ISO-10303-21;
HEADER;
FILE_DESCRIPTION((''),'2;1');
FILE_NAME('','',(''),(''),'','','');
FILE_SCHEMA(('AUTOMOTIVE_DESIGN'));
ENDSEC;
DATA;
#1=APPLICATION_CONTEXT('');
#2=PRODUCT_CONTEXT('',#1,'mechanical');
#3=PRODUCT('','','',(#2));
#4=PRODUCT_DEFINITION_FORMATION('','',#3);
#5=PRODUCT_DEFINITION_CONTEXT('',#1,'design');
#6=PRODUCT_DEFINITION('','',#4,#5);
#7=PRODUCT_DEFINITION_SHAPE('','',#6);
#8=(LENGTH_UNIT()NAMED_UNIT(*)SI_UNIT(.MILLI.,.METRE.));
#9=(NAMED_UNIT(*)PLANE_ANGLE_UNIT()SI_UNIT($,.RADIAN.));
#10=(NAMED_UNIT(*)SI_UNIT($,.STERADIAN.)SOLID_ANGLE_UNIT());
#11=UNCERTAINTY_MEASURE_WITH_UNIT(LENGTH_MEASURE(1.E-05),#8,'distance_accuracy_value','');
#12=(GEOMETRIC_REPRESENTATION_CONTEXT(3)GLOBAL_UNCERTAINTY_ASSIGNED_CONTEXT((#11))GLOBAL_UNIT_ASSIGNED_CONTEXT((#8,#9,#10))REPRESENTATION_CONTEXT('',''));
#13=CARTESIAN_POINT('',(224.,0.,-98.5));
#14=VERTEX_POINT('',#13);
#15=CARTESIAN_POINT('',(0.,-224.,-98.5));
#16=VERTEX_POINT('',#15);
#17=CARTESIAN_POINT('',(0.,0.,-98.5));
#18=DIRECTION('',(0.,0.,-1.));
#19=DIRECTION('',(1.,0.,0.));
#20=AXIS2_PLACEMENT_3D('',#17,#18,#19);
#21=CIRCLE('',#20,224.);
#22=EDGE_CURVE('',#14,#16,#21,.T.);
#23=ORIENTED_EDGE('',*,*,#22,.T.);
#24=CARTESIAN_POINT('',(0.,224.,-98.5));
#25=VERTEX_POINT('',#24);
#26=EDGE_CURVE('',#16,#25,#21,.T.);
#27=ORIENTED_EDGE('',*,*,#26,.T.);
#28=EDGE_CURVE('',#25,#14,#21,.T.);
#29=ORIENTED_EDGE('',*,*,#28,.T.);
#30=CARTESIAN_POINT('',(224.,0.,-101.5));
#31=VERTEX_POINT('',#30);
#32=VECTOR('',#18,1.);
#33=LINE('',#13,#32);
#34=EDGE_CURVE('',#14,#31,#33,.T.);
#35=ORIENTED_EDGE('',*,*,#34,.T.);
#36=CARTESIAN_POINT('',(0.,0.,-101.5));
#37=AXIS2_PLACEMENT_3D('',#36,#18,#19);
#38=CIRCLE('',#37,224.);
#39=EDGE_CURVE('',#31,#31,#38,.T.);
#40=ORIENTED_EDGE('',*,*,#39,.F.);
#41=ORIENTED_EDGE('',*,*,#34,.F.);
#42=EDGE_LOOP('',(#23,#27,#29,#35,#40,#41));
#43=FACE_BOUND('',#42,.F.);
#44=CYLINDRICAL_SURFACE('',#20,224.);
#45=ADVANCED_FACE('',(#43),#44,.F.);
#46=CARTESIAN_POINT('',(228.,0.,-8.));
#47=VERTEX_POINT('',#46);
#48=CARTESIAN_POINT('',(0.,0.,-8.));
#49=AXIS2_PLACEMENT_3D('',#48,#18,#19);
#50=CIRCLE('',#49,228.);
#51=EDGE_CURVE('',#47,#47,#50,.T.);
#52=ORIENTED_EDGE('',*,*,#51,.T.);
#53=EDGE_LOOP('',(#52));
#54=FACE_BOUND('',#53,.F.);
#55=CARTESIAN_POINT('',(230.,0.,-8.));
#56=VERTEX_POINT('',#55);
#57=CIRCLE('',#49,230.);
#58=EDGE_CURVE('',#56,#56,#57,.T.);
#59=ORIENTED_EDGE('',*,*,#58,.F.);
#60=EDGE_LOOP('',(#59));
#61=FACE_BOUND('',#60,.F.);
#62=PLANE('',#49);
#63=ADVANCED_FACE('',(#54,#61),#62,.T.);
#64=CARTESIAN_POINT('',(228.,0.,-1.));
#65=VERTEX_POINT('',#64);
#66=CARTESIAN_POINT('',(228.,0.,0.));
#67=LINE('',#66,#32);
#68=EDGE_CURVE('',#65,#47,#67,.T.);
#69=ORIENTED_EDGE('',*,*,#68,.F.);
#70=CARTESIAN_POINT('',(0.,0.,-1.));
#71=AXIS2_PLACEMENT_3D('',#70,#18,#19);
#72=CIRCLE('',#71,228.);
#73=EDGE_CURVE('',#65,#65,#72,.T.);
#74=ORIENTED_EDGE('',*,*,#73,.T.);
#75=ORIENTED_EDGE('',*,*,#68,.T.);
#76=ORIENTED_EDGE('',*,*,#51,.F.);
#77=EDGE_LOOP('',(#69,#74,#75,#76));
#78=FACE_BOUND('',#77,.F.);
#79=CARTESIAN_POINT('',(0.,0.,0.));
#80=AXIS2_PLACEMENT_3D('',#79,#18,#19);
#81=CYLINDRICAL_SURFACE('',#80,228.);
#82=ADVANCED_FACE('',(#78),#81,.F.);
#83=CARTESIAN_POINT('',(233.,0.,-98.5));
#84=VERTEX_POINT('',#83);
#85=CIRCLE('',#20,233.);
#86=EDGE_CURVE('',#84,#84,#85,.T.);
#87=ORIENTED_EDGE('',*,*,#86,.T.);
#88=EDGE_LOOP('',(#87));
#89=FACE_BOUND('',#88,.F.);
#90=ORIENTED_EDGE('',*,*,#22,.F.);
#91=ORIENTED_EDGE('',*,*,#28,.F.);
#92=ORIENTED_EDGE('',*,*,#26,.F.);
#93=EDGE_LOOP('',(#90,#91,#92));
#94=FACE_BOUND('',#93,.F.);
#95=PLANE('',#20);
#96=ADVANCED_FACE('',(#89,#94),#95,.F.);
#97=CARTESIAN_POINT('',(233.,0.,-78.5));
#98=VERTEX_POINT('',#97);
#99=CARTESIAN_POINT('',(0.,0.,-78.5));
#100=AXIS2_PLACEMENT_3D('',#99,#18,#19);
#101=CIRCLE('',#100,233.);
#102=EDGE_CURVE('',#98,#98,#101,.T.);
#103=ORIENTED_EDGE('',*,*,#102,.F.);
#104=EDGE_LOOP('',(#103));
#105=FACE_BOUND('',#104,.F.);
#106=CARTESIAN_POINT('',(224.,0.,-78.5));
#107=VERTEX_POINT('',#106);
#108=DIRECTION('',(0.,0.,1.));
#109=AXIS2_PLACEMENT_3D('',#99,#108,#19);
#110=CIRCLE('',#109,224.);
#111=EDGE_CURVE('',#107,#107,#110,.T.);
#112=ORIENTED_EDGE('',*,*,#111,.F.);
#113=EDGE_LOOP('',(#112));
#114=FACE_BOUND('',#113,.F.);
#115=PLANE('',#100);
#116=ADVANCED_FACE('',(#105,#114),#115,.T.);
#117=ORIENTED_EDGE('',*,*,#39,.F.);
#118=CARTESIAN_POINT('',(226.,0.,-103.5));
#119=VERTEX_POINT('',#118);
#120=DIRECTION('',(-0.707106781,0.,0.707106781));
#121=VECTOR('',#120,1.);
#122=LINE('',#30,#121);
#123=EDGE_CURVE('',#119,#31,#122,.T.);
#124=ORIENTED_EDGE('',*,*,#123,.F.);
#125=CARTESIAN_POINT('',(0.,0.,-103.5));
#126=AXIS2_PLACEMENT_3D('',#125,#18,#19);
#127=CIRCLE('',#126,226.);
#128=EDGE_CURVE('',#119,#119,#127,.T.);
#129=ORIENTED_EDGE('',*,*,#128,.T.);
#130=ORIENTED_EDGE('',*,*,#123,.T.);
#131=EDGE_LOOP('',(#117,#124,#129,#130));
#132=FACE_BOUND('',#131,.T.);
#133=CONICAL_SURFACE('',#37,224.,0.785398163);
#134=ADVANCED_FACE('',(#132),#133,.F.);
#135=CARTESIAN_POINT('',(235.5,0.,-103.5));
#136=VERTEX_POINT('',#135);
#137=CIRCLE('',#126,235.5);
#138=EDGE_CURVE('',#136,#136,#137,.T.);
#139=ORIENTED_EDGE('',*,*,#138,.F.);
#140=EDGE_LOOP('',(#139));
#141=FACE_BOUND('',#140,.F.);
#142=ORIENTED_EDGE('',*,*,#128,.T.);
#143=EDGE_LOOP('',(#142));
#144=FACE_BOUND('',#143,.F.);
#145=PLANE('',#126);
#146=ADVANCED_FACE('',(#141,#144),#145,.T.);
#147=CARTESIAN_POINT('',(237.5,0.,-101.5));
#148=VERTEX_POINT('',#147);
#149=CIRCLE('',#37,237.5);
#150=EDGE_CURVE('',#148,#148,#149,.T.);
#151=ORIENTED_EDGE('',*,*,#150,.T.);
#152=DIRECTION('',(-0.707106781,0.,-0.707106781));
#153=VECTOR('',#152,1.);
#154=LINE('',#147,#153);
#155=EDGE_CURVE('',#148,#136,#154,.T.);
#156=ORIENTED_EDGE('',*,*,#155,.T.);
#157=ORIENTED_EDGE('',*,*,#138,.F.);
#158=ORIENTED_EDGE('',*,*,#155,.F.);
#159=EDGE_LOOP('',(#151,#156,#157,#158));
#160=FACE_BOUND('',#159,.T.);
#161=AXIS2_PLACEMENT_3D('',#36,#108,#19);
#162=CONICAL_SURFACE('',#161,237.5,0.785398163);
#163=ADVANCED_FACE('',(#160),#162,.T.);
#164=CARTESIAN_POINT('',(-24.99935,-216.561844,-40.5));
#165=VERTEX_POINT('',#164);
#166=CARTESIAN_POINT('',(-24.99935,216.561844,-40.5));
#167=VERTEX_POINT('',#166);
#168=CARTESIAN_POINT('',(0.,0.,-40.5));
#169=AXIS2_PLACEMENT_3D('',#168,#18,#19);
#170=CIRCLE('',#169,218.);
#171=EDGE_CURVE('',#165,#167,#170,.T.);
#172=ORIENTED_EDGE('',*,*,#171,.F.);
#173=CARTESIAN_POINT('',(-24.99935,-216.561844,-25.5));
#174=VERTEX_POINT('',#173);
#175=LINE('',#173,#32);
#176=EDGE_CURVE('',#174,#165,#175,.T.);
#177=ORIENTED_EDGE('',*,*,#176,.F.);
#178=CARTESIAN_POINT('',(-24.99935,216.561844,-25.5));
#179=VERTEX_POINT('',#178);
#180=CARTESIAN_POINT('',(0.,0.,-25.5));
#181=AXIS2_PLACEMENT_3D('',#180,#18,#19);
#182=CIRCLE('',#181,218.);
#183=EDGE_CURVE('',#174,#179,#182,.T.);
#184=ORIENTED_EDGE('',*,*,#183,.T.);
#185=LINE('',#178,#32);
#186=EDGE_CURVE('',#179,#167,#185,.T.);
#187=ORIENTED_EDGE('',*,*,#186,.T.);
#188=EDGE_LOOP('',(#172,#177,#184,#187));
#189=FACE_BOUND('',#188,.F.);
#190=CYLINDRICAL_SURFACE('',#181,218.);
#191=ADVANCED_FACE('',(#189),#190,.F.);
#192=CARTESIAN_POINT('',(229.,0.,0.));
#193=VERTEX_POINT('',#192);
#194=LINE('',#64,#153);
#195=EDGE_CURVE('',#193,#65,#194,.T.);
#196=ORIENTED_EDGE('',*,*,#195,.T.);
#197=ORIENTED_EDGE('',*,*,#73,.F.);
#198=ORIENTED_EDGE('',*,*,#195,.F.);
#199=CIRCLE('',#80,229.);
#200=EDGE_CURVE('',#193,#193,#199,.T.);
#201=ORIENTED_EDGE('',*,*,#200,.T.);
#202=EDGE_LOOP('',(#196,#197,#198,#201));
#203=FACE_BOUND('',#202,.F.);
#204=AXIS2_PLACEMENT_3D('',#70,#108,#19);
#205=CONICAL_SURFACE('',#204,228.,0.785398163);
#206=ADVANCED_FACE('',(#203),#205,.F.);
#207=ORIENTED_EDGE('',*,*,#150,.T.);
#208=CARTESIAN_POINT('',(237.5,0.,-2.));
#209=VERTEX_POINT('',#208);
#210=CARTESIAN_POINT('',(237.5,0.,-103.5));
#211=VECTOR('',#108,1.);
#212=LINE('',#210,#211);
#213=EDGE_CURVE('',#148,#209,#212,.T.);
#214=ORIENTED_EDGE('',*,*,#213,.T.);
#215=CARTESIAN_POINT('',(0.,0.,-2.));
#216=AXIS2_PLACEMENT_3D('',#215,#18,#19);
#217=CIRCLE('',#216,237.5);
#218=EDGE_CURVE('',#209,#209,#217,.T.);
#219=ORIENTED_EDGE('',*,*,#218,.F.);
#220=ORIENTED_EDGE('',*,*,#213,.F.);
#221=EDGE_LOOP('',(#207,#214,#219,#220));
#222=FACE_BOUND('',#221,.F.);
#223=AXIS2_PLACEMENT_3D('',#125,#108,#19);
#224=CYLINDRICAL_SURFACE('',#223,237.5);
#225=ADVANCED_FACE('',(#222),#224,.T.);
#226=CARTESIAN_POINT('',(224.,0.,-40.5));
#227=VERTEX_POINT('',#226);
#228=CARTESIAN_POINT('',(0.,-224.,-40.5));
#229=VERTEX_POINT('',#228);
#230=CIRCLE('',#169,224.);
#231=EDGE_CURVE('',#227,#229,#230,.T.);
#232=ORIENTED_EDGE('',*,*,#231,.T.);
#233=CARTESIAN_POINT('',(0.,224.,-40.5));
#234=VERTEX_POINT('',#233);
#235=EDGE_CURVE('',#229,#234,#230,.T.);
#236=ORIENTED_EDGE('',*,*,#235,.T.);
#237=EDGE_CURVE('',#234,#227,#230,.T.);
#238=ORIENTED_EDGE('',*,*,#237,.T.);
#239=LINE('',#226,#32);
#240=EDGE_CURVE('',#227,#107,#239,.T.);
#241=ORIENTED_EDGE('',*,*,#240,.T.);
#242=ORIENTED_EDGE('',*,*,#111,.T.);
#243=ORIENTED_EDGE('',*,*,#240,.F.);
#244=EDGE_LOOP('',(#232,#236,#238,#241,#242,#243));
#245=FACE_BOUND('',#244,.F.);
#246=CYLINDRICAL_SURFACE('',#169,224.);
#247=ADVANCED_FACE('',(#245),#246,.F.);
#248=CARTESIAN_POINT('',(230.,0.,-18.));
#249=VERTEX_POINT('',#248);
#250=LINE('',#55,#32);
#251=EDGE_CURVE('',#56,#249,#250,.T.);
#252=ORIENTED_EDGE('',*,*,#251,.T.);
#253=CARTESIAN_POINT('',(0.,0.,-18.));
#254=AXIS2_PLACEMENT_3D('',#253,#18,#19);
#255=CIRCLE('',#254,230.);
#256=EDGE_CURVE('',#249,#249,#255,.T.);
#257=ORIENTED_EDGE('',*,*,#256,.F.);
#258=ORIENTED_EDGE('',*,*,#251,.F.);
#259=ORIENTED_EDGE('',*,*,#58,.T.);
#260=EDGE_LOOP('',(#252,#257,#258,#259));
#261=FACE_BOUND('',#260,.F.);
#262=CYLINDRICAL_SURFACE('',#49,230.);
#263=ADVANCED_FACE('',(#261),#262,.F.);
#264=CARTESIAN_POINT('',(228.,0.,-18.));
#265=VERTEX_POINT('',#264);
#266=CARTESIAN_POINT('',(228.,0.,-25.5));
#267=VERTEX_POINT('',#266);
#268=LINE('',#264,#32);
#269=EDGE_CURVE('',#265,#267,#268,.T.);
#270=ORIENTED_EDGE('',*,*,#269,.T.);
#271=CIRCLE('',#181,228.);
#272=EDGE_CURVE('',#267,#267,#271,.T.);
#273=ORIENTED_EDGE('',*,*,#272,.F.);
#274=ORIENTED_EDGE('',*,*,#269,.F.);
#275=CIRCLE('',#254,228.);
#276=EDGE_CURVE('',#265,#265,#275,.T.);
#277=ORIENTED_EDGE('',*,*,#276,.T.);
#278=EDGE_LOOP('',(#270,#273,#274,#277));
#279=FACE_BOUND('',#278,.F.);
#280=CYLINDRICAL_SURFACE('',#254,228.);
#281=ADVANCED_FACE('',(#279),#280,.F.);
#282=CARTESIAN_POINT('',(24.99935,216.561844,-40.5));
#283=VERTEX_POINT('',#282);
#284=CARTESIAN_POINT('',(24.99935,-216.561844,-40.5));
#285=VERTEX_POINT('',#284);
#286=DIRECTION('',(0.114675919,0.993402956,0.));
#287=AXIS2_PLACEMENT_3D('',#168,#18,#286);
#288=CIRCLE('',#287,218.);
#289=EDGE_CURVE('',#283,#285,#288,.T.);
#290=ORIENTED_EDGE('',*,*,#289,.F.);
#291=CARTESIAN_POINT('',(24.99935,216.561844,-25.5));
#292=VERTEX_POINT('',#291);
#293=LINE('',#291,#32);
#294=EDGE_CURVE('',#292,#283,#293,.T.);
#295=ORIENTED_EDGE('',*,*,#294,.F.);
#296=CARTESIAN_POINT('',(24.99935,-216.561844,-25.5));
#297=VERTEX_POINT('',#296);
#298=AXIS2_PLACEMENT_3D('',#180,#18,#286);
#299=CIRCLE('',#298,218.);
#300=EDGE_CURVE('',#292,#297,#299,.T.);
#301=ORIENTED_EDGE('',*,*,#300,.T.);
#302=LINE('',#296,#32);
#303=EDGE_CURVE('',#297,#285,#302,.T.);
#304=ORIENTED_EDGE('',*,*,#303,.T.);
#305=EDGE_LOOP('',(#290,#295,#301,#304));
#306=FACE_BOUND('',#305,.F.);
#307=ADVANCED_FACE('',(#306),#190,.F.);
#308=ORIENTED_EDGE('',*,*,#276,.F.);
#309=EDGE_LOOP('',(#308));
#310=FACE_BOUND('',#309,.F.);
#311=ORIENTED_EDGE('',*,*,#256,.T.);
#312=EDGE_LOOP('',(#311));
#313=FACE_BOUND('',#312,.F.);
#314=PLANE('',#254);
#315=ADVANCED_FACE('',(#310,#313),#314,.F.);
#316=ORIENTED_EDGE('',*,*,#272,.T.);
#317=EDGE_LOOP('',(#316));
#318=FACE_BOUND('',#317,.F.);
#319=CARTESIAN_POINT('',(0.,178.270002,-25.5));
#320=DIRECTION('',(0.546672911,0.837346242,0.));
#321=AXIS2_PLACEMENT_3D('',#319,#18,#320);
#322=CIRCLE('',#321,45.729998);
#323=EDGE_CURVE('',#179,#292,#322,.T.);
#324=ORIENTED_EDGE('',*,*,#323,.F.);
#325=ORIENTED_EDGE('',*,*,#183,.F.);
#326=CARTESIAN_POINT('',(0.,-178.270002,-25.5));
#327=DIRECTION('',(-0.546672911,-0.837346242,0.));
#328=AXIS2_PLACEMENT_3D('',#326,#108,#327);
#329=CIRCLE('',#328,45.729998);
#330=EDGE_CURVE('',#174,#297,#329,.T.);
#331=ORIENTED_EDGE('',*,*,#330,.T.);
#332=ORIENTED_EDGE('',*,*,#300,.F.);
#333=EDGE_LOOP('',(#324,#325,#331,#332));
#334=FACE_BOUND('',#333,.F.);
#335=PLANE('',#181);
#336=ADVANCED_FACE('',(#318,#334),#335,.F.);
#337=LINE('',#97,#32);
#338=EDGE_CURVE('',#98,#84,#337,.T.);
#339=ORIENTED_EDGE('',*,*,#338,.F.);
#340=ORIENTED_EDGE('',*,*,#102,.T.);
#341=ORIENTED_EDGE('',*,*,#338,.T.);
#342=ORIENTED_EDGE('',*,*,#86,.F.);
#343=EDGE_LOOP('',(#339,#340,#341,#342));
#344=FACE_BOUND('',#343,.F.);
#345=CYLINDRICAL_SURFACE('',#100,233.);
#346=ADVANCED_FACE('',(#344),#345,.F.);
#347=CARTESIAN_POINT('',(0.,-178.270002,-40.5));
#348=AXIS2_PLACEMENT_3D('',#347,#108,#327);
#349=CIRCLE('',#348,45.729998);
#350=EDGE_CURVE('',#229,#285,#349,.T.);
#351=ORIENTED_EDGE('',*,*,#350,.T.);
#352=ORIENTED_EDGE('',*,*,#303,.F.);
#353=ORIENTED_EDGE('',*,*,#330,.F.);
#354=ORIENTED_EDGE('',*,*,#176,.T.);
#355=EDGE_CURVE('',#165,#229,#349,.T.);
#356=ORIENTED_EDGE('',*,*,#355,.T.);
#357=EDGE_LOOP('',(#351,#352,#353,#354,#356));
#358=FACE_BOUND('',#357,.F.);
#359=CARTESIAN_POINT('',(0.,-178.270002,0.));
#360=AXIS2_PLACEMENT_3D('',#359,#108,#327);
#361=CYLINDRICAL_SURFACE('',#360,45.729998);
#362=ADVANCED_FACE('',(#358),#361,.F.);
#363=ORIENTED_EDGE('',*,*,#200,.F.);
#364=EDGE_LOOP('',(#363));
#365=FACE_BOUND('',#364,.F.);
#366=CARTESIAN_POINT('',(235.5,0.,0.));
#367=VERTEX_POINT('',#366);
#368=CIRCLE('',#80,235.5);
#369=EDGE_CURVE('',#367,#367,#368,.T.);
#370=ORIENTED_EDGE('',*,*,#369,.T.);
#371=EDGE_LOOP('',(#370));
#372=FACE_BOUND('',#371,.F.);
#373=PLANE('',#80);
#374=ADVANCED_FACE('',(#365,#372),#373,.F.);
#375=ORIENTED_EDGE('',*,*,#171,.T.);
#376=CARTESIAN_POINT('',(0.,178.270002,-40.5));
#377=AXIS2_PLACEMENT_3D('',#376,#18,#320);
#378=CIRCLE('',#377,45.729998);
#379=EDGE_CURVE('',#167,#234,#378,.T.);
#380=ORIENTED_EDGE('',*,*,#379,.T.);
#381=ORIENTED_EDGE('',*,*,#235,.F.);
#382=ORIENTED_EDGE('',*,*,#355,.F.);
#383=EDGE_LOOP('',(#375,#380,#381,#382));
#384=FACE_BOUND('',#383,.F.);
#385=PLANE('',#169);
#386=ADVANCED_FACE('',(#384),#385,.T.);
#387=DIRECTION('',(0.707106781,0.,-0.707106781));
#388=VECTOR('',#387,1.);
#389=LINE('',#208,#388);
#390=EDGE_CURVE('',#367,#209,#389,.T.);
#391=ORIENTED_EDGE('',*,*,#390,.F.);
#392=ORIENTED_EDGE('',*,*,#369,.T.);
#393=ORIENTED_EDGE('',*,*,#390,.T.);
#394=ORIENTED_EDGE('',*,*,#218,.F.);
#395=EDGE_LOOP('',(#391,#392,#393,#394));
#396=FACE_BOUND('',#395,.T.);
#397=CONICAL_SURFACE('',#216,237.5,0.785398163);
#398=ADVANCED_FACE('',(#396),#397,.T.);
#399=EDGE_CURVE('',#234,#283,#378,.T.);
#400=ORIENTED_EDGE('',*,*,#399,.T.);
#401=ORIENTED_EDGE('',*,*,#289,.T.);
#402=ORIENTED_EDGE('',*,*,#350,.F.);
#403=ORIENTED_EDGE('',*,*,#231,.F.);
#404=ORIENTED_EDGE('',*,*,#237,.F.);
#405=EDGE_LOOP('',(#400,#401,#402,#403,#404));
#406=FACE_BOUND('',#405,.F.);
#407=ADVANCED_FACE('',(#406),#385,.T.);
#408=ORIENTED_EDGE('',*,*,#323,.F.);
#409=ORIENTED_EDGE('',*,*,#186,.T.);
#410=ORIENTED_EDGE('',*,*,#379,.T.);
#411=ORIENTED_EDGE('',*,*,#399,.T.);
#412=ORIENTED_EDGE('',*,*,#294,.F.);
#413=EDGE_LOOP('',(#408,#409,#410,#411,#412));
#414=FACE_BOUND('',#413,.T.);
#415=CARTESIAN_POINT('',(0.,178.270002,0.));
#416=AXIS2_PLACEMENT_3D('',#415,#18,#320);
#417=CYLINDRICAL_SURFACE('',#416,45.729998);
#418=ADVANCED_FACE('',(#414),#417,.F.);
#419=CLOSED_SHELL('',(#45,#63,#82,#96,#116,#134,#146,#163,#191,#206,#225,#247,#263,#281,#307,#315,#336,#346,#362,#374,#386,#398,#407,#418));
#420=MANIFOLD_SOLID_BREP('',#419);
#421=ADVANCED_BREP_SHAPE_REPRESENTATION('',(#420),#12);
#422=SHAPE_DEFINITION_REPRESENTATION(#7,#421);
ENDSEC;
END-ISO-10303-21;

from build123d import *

# Parameters (mm, degrees)
F2_SIZE  = 1
F3_SIZE  = 2
F5_DEPTH = 100


with BuildPart() as f1:
    # F0 (on Front) → F1 (revolve)
    with BuildSketch(Plane.XZ):
        Polygon((237.5, -103.5), (237.5, 0), (228, 0), (228, -8), (230, -8), (230, -18), (228, -18), (228, -25.5), (218, -25.5), (218, -40.5), (224, -40.5), (224, -78.5), (233, -78.5), (233, -98.5), (224, -98.5), (224, -103.5), align=None)
    revolve(axis=Axis((0, 0, -40.326346), (0, 0, -1)))

    # F2
    f2_edges = [f1.edges().sort_by_distance(p)[0] for p in [
        (-228, 0, 0),
    ]]
    chamfer(f2_edges, length=F2_SIZE)

    # F3
    f3_edges = [f1.edges().sort_by_distance(p)[0] for p in [
        (-237.5, 0, 0),
        (-224, 0, -103.5),
        (-237.5, 0, -103.5),
    ]]
    chamfer(f3_edges, length=F3_SIZE)

    # F4 (on Top) → F5 (cut, symmetric)
    with BuildSketch(Plane.XY):
        with BuildLine():
            ThreePointArc((-24.999351, 216.561844), (0, 218), (24.999351, 216.561844))
            ThreePointArc((24.999351, 216.561844), (0, 224), (-24.999351, 216.561844))
        make_face()
        with BuildLine():
            ThreePointArc((-24.999351, -216.561844), (0, -224), (24.999351, -216.561844))
            ThreePointArc((24.999351, -216.561844), (0, -218), (-24.999351, -216.561844))
        make_face()
    extrude(amount=F5_DEPTH, both=True, mode=Mode.SUBTRACT)


solid = f1.part
